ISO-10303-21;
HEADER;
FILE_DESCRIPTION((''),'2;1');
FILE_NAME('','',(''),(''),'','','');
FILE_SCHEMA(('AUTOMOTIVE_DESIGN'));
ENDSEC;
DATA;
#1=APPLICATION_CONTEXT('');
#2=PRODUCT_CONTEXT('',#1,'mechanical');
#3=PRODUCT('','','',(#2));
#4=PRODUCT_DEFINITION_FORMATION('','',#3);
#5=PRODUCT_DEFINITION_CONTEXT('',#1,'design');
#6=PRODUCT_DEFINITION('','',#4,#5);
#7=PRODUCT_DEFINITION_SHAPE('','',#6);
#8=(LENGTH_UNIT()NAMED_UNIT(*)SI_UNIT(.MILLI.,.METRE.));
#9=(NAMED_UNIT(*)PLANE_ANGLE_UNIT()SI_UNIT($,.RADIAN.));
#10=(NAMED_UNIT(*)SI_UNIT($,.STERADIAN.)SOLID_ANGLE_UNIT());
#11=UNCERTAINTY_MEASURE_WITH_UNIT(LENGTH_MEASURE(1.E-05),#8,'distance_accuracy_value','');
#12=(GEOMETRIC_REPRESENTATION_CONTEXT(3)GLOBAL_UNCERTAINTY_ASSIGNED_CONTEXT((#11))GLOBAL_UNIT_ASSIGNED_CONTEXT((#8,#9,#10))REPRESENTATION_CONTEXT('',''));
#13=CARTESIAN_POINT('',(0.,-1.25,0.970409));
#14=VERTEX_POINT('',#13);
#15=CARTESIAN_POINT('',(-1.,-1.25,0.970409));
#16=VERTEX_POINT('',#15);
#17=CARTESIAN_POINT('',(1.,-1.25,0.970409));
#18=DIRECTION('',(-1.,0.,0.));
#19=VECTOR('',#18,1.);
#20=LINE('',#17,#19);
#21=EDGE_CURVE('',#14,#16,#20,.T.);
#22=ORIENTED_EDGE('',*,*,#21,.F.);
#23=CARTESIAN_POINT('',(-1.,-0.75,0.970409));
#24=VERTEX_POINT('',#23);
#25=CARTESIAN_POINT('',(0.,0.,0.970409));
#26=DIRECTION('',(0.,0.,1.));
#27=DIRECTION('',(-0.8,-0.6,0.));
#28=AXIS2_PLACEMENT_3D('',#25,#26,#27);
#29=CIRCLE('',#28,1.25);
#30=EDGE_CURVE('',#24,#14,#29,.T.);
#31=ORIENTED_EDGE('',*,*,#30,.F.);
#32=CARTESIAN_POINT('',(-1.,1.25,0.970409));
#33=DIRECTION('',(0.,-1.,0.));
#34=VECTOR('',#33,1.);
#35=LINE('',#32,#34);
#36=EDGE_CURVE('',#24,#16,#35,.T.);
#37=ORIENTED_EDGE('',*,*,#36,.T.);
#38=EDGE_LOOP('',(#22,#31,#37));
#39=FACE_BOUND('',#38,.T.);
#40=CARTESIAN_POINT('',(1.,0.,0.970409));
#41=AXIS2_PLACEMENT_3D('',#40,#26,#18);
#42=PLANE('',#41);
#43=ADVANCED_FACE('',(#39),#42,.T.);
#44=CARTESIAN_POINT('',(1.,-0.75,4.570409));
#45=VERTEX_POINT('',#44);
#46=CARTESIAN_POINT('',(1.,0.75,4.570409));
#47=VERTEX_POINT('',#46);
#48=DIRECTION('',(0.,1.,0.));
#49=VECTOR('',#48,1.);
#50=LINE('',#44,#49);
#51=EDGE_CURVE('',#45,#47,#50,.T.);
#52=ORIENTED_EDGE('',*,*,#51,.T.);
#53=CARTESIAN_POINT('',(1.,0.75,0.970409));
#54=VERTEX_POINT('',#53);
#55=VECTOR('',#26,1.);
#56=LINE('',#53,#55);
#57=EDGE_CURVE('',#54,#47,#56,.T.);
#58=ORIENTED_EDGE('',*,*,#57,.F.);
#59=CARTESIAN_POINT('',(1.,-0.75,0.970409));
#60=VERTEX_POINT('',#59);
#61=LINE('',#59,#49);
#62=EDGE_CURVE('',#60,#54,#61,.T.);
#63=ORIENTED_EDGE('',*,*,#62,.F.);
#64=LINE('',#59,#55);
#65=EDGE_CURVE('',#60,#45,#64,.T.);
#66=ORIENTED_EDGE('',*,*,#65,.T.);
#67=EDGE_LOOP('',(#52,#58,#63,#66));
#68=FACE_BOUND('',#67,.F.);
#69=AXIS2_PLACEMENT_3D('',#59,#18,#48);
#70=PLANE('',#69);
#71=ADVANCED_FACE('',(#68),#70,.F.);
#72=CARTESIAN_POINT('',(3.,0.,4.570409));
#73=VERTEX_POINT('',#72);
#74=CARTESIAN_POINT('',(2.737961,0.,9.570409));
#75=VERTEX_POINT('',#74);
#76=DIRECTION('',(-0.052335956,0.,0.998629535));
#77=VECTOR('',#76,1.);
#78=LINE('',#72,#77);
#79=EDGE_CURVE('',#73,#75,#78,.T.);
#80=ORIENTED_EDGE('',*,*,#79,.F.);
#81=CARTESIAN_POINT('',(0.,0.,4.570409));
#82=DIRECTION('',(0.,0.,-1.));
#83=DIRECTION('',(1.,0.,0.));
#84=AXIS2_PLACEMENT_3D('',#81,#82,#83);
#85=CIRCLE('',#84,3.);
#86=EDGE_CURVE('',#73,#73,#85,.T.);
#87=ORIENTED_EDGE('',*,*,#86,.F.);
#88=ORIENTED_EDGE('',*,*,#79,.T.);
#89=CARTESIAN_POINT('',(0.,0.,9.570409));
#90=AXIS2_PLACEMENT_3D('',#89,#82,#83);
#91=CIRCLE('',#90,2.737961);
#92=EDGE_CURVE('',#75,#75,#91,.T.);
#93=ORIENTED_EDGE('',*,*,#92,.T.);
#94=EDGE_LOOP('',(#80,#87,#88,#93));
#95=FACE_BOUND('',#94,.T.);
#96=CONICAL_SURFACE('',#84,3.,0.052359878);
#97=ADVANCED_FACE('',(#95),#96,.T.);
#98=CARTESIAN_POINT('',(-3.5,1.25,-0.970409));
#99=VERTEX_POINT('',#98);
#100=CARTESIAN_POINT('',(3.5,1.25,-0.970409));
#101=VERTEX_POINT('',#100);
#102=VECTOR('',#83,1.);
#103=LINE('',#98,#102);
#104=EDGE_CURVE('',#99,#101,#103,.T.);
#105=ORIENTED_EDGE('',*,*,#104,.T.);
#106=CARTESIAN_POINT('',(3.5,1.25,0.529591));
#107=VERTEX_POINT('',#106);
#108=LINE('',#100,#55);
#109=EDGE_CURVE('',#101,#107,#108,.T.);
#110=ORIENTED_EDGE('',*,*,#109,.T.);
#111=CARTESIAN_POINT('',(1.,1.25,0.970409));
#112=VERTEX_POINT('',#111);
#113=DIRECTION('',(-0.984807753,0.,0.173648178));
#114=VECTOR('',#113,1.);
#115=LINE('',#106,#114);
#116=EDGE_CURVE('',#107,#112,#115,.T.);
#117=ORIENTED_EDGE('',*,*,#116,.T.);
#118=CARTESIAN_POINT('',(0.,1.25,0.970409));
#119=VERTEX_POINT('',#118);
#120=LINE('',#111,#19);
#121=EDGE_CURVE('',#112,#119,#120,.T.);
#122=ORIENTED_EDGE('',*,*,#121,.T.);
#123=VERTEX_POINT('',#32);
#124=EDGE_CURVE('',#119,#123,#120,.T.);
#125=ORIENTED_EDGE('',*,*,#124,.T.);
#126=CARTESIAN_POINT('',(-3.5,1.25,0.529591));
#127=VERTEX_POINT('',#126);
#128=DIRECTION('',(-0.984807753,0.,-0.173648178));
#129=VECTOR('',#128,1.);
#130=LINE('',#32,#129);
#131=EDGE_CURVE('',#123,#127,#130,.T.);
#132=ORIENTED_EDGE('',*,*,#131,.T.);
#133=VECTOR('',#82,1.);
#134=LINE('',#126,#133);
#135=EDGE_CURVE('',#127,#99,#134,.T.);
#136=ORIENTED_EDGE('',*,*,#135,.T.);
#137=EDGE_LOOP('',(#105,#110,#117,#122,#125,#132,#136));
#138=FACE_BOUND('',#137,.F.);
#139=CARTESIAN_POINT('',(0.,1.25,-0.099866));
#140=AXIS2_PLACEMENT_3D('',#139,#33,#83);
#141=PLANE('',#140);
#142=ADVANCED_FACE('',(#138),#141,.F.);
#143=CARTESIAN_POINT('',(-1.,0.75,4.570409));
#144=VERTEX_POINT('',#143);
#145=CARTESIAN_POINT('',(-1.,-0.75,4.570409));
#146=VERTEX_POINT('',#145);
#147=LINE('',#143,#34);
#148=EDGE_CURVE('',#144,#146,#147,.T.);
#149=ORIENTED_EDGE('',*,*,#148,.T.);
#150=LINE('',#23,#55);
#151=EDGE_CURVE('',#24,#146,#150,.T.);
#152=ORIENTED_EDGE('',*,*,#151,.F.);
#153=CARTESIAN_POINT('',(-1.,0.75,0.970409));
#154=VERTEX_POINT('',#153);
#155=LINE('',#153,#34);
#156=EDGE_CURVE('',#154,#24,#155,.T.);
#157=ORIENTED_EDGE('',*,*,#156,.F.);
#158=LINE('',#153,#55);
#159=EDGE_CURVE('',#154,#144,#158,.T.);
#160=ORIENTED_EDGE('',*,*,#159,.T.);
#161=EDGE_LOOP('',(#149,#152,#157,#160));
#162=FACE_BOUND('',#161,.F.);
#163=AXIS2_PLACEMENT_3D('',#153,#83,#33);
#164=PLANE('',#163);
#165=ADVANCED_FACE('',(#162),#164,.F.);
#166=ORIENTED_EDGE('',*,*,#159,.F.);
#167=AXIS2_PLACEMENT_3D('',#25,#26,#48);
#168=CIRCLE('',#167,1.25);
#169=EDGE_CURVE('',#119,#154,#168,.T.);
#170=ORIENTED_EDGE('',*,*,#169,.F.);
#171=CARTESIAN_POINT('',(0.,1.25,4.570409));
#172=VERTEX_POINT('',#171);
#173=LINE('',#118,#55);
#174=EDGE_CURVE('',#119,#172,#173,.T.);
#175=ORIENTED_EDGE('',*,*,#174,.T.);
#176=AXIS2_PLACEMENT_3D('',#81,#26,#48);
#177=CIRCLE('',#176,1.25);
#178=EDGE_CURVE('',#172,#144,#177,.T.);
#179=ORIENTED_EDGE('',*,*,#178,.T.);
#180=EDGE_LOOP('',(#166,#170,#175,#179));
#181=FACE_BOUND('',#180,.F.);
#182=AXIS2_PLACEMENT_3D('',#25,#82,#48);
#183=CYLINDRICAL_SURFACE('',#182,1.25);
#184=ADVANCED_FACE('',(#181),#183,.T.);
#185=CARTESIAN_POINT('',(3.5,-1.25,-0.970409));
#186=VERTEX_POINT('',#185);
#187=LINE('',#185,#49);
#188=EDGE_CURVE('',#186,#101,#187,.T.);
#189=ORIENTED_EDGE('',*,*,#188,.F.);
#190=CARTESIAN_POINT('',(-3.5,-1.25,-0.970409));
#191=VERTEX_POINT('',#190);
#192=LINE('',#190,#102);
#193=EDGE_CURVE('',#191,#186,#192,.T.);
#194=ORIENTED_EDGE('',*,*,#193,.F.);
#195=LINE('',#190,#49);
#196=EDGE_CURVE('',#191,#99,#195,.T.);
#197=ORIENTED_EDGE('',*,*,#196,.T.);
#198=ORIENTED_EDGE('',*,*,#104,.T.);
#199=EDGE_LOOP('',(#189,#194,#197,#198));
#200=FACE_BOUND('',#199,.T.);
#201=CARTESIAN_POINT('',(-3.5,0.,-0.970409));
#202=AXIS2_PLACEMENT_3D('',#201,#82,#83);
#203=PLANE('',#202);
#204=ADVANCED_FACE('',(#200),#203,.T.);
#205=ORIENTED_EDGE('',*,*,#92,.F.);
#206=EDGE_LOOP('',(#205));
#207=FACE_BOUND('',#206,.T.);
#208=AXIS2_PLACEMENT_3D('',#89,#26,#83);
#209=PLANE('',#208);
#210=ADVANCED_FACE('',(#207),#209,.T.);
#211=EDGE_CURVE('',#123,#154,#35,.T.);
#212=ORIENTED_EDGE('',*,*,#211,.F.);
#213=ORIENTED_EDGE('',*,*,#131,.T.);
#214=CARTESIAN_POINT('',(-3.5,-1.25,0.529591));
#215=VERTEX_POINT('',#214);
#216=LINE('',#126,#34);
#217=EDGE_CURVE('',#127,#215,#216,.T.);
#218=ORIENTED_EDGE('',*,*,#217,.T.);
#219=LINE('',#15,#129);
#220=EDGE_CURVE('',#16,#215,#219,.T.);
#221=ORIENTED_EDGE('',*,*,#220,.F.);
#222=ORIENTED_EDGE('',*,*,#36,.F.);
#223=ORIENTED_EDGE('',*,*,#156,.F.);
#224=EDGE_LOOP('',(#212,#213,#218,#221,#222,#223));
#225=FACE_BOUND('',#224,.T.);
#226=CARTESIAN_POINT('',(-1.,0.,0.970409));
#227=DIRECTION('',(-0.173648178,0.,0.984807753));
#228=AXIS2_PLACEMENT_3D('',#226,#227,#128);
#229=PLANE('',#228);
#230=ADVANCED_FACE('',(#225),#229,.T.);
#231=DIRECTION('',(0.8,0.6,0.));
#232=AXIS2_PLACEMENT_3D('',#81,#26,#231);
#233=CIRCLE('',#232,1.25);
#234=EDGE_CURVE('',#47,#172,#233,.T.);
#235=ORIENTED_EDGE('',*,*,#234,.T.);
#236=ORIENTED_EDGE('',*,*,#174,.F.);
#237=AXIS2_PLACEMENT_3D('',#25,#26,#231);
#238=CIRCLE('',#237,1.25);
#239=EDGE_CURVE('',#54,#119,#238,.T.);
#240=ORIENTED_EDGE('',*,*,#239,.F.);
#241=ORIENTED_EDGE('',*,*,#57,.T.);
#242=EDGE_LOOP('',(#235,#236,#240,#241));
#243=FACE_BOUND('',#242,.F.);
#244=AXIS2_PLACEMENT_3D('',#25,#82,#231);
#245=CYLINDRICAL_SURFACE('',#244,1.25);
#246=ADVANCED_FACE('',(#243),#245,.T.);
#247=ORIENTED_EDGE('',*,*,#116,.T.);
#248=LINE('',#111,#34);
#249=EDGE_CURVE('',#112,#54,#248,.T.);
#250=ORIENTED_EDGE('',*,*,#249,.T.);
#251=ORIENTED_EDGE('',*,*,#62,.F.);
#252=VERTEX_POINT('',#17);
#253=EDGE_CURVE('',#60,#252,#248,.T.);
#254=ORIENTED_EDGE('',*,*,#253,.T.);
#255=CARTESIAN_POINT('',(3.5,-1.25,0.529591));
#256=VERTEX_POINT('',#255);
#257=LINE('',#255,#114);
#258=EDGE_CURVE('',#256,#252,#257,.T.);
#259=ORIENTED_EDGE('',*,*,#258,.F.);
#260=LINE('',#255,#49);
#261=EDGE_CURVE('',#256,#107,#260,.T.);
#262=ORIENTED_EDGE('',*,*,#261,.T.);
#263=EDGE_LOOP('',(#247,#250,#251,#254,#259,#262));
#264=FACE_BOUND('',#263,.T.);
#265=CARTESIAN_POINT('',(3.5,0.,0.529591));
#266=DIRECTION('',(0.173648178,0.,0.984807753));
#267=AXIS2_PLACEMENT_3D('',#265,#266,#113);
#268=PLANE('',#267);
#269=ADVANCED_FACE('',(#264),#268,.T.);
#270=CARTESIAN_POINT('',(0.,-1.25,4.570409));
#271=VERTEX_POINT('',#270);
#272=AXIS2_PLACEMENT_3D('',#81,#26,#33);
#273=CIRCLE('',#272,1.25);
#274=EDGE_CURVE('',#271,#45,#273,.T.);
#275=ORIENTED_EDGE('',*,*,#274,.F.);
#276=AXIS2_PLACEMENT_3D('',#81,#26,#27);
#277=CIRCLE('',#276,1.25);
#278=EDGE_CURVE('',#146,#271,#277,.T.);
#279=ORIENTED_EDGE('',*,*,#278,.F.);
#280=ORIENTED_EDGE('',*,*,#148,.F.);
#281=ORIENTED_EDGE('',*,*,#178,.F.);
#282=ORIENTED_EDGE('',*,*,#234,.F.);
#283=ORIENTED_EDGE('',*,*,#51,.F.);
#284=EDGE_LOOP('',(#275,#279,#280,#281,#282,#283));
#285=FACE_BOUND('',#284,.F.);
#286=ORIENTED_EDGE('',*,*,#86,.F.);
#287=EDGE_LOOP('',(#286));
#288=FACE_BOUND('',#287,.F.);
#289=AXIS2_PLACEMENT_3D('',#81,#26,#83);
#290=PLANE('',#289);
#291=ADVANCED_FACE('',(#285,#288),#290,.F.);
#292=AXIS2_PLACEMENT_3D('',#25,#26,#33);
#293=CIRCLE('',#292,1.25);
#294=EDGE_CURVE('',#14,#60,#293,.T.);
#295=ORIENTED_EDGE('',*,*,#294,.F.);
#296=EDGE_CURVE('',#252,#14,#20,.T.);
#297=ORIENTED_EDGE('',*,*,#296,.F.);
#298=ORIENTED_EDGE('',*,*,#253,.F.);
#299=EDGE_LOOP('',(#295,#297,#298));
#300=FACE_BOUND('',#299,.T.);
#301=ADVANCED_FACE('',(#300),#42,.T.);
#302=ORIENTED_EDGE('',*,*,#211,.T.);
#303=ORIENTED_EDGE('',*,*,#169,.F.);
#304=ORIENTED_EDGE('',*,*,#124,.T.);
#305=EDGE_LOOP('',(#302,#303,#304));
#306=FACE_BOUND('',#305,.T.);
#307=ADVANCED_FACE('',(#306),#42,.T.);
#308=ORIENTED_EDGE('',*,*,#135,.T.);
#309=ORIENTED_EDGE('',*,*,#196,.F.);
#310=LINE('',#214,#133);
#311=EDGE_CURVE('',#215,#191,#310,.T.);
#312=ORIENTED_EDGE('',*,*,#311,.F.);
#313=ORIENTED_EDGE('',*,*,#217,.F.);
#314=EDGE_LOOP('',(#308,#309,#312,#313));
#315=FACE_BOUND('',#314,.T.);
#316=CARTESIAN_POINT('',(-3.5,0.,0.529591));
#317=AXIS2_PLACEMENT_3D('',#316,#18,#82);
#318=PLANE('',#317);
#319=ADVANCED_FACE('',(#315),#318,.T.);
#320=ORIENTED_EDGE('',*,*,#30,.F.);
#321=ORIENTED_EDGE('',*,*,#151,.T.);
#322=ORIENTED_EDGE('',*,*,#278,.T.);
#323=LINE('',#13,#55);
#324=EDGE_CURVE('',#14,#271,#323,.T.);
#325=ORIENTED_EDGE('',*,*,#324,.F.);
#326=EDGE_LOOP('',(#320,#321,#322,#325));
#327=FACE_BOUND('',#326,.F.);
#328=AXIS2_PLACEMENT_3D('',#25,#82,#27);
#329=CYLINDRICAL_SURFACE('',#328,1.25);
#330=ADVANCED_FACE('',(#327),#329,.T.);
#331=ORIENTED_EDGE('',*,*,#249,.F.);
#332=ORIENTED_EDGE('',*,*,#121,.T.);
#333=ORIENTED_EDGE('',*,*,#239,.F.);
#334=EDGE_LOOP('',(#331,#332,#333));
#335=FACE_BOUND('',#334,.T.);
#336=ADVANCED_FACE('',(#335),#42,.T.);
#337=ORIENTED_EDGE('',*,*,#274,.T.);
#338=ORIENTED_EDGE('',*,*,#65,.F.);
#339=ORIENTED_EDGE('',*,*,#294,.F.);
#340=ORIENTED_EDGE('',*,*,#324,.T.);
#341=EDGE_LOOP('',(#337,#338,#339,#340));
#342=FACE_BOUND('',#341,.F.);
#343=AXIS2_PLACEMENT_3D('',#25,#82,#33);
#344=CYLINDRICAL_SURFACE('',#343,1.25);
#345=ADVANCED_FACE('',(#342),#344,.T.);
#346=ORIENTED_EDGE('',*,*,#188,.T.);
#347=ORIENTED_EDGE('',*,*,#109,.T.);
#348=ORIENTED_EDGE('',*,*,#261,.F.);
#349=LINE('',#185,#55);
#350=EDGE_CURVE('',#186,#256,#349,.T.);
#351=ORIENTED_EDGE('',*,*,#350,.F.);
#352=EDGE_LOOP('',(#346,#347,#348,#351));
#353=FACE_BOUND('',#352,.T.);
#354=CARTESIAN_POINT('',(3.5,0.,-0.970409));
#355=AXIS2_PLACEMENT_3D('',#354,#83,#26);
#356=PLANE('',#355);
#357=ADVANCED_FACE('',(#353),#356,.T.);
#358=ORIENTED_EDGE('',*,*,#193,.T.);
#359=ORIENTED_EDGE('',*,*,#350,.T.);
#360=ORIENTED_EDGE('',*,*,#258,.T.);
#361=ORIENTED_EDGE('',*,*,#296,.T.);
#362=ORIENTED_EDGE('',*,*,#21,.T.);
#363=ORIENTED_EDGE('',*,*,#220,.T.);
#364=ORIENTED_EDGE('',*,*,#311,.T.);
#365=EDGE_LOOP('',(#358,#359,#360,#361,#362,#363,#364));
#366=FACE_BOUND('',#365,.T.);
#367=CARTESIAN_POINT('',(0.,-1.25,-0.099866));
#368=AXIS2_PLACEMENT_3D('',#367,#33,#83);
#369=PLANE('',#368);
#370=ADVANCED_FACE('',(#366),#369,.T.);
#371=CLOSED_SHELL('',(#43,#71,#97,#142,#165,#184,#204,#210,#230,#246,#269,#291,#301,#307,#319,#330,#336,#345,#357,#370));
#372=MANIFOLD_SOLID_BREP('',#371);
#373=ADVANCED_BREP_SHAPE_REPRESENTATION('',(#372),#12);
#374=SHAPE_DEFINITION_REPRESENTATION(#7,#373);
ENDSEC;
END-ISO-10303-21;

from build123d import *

# Parameters (mm, degrees)
F1_DEPTH = 1.25
F3_DEPTH = 3.6
F4_R     = 3
F5_DEPTH = 5
F5_TAPER = 3


with BuildPart() as f1:
    # F0 (on Front) → F1 (new body, symmetric)
    with BuildSketch(Plane.XZ):
        Polygon((3.5, 0.5295912741), (1, 0.9704087259), (-1, 0.9704087259), (-3.5, 0.5295912741), (-3.5, -0.9704087259), (0, -0.9704087259), (3.5, -0.9704087259), align=None)
    extrude(amount=F1_DEPTH, both=True)

    # F2 (on face) → F3 (join)
    with BuildSketch(Plane.XY.offset(0.9704087259)):
        with BuildLine():
            Line((1, -0.75), (1, 0.75))
            ThreePointArc((1, 0.75), (0.5590169944, 1.1180339887), (0, 1.25))
            ThreePointArc((0, 1.25), (-0.5590169944, 1.1180339887), (-1, 0.75))
            Line((-1, 0.75), (-1, -0.75))
            ThreePointArc((-1, -0.75), (-0.5590169944, -1.1180339887), (0, -1.25))
            ThreePointArc((0, -1.25), (0.5590169944, -1.1180339887), (1, -0.75))
        make_face()
    extrude(amount=F3_DEPTH)

    # F4 (on face) → F5 (join)
    with BuildSketch(Plane.XY.offset(4.5704087259)):
        Circle(F4_R)
        with BuildLine():
            Line((1, 0.75), (1, -0.75))
            ThreePointArc((1, -0.75), (0, -1.25), (-1, -0.75))
            Line((-1, -0.75), (-1, 0.75))
            ThreePointArc((-1, 0.75), (0, 1.25), (1, 0.75))
        make_face(mode=Mode.SUBTRACT)
        with BuildLine():
            ThreePointArc((-1, -0.75), (0, -1.25), (1, -0.75))
            Line((1, -0.75), (1, 0.75))
            ThreePointArc((1, 0.75), (0, 1.25), (-1, 0.75))
            Line((-1, 0.75), (-1, -0.75))
        make_face()
    extrude(amount=F5_DEPTH, taper=F5_TAPER)


solid = f1.part
